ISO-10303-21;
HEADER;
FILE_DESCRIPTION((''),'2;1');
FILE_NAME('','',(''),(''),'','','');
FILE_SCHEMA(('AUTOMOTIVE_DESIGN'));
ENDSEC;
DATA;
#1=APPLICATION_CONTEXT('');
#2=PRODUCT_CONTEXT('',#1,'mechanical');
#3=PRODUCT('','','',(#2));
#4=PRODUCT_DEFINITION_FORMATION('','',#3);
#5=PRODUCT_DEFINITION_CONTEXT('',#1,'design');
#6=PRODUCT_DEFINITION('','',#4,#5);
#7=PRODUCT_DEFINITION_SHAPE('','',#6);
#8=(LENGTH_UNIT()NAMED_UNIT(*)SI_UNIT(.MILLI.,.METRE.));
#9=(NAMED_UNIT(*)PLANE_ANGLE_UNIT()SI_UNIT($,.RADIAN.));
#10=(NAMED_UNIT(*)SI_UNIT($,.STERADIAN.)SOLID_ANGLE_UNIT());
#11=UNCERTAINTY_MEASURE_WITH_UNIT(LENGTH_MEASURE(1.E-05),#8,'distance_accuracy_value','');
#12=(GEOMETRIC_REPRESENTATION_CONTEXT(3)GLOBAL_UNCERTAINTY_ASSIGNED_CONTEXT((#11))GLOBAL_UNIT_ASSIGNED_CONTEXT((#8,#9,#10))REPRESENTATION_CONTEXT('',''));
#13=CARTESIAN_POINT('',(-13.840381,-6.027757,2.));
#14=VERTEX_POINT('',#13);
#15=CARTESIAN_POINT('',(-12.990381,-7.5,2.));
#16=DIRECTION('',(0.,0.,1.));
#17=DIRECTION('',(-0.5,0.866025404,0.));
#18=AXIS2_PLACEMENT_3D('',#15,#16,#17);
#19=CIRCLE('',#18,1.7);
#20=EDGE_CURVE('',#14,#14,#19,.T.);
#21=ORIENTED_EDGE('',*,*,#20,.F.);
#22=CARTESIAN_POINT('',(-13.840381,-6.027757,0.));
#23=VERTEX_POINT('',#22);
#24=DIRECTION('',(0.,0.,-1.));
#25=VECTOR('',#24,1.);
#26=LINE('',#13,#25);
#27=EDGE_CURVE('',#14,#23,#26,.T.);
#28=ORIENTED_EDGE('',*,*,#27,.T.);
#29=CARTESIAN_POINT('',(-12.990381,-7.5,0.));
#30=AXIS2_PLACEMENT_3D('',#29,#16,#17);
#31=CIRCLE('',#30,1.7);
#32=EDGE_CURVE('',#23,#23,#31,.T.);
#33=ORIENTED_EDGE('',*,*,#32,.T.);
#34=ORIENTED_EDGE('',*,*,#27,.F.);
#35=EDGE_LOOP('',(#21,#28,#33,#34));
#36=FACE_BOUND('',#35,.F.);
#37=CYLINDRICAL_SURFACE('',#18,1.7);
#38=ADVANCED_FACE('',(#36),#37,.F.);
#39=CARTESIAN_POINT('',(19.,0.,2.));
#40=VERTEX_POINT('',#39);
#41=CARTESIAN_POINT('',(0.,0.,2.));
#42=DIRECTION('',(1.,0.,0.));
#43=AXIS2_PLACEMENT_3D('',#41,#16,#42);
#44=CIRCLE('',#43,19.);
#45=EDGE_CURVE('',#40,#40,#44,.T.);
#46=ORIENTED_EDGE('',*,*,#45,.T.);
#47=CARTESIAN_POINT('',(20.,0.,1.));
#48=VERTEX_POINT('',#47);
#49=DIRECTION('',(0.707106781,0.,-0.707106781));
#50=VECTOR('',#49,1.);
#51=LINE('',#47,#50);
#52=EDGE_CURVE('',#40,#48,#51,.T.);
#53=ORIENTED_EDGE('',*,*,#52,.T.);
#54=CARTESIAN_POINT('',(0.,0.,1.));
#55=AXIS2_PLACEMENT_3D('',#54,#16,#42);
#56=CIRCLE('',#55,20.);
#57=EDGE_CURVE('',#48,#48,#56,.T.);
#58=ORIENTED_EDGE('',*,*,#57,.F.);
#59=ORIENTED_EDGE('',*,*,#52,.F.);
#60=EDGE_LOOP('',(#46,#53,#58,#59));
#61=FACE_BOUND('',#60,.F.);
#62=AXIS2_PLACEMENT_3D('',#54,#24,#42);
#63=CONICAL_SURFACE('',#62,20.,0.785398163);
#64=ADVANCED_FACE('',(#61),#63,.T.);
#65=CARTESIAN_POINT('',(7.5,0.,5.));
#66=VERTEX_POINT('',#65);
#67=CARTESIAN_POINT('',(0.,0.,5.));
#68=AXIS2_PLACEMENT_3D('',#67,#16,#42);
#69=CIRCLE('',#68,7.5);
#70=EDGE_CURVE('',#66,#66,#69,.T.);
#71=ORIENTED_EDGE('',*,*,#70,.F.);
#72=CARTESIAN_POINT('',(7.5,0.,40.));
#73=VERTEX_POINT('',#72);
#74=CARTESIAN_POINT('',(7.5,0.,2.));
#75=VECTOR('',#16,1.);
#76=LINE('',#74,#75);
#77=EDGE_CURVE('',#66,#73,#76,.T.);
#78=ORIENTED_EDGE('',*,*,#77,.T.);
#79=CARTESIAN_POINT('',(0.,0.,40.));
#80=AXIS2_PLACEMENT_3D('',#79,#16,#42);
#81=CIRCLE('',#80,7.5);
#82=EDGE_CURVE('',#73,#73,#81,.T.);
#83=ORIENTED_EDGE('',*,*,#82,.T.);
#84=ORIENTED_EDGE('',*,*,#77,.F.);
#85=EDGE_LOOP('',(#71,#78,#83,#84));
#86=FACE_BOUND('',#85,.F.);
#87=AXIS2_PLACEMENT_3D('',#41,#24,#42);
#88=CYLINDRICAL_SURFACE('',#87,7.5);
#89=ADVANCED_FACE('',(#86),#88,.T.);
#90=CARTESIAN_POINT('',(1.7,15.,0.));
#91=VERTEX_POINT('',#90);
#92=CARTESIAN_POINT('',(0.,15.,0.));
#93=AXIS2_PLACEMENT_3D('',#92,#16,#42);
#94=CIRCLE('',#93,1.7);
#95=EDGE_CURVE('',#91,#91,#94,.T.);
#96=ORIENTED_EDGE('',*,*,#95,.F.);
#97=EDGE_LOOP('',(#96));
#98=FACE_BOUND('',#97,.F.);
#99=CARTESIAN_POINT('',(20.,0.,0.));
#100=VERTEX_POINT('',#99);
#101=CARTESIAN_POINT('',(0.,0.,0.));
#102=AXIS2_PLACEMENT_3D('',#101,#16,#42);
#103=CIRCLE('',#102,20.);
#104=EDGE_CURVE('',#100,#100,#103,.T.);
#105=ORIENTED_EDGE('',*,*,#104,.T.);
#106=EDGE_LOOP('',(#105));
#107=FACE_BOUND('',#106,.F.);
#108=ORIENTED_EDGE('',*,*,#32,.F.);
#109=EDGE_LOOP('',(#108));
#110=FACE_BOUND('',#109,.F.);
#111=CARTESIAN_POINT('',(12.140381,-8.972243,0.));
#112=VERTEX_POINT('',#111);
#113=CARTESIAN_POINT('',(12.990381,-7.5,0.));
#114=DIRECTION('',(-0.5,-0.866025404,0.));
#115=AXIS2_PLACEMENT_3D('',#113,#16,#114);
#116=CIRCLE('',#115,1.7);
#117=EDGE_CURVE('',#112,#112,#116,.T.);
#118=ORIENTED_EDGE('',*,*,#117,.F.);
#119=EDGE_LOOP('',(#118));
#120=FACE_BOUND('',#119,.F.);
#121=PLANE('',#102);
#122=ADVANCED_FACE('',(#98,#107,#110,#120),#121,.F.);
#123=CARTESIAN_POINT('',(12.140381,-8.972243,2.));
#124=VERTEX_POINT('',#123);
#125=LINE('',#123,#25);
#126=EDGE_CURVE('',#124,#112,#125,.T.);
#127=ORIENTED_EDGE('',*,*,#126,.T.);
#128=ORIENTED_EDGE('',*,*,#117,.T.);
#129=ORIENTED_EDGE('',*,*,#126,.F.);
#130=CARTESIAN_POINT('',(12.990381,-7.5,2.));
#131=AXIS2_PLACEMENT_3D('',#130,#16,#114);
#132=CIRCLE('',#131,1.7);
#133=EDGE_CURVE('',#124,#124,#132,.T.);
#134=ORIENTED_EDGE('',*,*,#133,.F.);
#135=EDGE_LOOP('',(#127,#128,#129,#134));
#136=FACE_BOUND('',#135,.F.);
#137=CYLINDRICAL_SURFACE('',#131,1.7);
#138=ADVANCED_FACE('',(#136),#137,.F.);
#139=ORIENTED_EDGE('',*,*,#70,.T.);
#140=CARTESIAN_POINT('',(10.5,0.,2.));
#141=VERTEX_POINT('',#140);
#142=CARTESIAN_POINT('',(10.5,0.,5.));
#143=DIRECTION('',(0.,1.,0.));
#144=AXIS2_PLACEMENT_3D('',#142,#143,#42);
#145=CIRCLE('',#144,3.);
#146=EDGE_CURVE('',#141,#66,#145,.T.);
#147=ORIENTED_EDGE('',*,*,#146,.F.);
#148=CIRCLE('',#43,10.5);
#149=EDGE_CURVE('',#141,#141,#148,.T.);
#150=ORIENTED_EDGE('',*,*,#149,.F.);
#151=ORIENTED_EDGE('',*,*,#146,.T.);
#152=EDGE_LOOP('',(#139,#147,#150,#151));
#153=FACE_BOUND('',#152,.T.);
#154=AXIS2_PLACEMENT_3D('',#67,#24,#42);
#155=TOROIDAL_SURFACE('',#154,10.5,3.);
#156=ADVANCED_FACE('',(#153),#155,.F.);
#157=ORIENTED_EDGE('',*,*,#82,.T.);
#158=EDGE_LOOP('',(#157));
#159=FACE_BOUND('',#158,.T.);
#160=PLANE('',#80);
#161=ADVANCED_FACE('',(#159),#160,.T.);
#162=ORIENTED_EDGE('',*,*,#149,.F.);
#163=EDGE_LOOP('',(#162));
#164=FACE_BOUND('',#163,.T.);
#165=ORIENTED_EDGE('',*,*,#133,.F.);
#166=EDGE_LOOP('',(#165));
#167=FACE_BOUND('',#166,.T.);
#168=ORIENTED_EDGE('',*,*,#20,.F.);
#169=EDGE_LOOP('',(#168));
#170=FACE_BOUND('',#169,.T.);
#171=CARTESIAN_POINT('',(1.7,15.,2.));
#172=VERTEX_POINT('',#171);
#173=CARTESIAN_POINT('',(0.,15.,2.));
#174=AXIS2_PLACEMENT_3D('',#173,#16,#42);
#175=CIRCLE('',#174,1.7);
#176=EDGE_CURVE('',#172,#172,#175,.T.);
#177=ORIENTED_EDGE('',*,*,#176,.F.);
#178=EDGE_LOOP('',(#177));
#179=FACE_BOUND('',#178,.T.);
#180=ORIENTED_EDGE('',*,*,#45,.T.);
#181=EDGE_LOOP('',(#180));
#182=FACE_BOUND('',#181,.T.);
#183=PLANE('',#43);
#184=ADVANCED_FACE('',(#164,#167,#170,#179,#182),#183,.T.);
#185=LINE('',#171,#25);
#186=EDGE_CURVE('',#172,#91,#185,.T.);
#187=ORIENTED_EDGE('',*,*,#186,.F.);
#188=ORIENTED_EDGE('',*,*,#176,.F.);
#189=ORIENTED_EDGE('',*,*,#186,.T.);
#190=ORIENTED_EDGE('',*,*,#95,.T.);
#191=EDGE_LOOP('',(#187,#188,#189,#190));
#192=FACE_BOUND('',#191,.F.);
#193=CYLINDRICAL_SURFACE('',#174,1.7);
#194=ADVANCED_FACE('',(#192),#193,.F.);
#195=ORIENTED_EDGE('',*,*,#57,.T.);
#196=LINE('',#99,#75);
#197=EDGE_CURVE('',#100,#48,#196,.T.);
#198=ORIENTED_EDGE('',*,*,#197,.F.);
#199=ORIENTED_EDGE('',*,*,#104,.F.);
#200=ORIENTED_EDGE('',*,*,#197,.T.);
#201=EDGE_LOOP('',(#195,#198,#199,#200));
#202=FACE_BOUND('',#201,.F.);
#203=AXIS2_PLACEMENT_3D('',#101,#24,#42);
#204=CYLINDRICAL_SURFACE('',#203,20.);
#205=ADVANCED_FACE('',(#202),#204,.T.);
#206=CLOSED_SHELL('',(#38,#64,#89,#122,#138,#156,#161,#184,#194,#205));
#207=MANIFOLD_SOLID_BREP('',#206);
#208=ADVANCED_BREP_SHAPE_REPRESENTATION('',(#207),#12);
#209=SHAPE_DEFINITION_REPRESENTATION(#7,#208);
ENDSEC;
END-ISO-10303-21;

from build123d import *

# Parameters (mm, degrees)
SKETCH_R           = 20
PAD_DEPTH          = 2
SKETCH001_R        = 7.5
PAD001_DEPTH       = 38
SKETCH002_R        = 1.7
HOLE_DEPTH         = 140.565065
POLARPATTERN_COUNT = 3
FILLET_R           = 3
CHAMFER_SIZE       = 1


with BuildPart() as part:
    # Sketch → Pad (new body)
    with BuildSketch(Plane.XY):
        Circle(SKETCH_R)
    extrude(amount=PAD_DEPTH)

    # Sketch001 (on Face3 of Pad) → Pad001 (join)
    with BuildSketch(Plane.XY.offset(2)):
        Circle(SKETCH001_R)
    extrude(amount=PAD001_DEPTH)

    # Sketch002 (on Face3 of Pad001) → Hole (cut, through all)
    with BuildSketch(Plane.XY.offset(2)):
        with Locations((0, 15)):
            Circle(SKETCH002_R)
    hole = extrude(amount=-HOLE_DEPTH, mode=Mode.SUBTRACT)

    # PolarPattern: Hole ×3 about axis
    polarpattern_axis = Axis((0, 0, 2), (0, 0, 1))
    for i in range(1, POLARPATTERN_COUNT):
        add(hole.rotate(polarpattern_axis, i * 360 / POLARPATTERN_COUNT), mode=Mode.SUBTRACT)

    # Fillet
    fillet_edges = [part.edges().sort_by_distance(p)[0] for p in [
        (-7.5, 0, 2),
    ]]
    fillet(fillet_edges, radius=FILLET_R)

    # Chamfer
    chamfer_edges = [part.edges().sort_by_distance(p)[0] for p in [
        (-20, 0, 2),
    ]]
    chamfer(chamfer_edges, length=CHAMFER_SIZE)


solid = part.part
